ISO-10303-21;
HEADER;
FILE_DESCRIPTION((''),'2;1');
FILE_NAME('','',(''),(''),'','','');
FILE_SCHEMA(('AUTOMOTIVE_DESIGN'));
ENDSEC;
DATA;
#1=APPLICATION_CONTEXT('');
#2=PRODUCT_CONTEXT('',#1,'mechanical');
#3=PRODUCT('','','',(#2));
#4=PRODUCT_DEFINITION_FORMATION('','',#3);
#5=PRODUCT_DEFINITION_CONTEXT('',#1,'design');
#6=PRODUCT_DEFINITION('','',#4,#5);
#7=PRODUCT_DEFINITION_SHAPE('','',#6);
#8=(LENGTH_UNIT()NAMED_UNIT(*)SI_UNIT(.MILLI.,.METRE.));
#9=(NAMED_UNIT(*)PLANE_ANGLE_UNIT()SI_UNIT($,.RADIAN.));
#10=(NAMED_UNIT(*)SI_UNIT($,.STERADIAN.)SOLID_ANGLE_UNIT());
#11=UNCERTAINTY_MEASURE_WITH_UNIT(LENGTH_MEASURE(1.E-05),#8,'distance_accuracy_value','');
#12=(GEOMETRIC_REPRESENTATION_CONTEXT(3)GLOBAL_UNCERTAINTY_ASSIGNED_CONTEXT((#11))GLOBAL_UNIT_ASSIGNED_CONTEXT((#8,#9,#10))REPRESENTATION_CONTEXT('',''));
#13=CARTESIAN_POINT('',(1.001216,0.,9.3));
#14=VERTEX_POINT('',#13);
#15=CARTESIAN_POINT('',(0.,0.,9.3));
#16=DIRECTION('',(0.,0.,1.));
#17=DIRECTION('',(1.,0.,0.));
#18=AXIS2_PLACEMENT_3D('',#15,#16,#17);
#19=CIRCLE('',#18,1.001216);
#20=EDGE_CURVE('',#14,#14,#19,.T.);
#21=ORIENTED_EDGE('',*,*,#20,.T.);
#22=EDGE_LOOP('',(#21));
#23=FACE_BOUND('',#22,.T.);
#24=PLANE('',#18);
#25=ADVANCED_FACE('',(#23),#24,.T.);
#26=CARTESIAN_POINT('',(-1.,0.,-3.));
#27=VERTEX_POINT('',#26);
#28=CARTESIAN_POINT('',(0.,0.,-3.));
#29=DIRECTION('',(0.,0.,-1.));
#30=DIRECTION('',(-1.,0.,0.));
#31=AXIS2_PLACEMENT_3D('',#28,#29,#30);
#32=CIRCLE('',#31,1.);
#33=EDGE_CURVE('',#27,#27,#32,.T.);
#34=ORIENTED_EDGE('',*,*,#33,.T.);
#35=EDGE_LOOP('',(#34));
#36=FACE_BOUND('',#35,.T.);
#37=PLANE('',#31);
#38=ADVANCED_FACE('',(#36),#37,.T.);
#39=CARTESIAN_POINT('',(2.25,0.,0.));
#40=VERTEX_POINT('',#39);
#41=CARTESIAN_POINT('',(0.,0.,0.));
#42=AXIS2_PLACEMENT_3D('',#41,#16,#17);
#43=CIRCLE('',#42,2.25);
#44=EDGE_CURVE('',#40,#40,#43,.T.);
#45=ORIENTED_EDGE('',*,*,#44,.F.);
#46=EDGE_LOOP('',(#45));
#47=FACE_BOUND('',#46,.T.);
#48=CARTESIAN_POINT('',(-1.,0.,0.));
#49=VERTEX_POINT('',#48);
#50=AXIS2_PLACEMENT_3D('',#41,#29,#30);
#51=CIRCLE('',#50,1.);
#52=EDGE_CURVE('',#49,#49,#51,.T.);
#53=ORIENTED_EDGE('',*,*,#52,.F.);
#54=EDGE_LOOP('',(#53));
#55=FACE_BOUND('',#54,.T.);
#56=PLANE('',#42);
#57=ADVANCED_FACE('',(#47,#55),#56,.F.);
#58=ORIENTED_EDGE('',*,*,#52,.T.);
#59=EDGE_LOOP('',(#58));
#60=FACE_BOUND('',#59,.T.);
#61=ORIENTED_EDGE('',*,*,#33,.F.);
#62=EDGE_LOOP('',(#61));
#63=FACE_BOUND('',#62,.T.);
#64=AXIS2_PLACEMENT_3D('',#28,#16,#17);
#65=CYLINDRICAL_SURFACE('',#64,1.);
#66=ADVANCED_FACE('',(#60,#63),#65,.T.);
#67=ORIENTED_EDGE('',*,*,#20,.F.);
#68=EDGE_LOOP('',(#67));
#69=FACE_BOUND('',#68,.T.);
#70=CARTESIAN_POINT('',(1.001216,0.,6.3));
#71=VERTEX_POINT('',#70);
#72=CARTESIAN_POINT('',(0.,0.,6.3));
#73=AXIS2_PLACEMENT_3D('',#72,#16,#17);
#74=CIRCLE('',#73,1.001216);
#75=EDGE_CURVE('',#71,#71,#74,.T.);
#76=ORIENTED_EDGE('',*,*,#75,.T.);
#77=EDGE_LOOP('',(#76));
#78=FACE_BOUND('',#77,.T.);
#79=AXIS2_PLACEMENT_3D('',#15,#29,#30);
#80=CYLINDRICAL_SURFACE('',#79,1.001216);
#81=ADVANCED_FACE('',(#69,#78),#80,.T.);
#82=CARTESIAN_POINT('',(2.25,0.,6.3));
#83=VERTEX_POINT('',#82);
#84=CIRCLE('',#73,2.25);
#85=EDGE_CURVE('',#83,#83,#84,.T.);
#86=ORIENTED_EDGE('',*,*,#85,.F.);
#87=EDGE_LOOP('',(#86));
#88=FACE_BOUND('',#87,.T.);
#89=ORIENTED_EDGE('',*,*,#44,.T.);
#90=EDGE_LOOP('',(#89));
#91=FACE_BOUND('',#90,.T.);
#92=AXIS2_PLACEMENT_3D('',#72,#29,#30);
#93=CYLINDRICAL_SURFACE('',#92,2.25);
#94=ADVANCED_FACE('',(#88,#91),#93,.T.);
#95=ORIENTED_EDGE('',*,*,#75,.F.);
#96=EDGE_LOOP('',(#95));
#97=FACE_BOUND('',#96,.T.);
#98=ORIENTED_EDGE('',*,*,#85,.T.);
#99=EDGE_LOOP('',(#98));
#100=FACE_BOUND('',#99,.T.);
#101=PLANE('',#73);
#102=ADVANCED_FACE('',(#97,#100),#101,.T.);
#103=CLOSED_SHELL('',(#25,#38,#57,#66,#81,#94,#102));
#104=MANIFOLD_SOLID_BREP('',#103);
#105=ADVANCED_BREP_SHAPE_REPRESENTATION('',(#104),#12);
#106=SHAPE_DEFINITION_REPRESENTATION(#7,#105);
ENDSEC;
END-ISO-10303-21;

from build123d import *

# Parameters (mm, degrees)
SKETCH1_R           = 2.25
BOSS_EXTRUDE1_DEPTH = 6.3
SKETCH2_R           = 1.001216146
BOSS_EXTRUDE2_DEPTH = 3
SKETCH3_R           = 1
BOSS_EXTRUDE3_DEPTH = 3


with BuildPart() as part:
    # Sketch1 → Boss-Extrude1 (new body)
    with BuildSketch(Plane.XY):
        Circle(SKETCH1_R)
    extrude(amount=BOSS_EXTRUDE1_DEPTH)

    # Sketch2 → Boss-Extrude2 (add)
    with BuildSketch(Plane.XY.offset(6.3)):
        Circle(SKETCH2_R)
    extrude(amount=BOSS_EXTRUDE2_DEPTH)

    # Sketch3 → Boss-Extrude3 (add)
    with BuildSketch(Plane(origin=(0, 0, 0), x_dir=(-1, 0, 0), z_dir=(0, 0, -1))):
        Circle(SKETCH3_R)
    extrude(amount=BOSS_EXTRUDE3_DEPTH)


solid = part.part
